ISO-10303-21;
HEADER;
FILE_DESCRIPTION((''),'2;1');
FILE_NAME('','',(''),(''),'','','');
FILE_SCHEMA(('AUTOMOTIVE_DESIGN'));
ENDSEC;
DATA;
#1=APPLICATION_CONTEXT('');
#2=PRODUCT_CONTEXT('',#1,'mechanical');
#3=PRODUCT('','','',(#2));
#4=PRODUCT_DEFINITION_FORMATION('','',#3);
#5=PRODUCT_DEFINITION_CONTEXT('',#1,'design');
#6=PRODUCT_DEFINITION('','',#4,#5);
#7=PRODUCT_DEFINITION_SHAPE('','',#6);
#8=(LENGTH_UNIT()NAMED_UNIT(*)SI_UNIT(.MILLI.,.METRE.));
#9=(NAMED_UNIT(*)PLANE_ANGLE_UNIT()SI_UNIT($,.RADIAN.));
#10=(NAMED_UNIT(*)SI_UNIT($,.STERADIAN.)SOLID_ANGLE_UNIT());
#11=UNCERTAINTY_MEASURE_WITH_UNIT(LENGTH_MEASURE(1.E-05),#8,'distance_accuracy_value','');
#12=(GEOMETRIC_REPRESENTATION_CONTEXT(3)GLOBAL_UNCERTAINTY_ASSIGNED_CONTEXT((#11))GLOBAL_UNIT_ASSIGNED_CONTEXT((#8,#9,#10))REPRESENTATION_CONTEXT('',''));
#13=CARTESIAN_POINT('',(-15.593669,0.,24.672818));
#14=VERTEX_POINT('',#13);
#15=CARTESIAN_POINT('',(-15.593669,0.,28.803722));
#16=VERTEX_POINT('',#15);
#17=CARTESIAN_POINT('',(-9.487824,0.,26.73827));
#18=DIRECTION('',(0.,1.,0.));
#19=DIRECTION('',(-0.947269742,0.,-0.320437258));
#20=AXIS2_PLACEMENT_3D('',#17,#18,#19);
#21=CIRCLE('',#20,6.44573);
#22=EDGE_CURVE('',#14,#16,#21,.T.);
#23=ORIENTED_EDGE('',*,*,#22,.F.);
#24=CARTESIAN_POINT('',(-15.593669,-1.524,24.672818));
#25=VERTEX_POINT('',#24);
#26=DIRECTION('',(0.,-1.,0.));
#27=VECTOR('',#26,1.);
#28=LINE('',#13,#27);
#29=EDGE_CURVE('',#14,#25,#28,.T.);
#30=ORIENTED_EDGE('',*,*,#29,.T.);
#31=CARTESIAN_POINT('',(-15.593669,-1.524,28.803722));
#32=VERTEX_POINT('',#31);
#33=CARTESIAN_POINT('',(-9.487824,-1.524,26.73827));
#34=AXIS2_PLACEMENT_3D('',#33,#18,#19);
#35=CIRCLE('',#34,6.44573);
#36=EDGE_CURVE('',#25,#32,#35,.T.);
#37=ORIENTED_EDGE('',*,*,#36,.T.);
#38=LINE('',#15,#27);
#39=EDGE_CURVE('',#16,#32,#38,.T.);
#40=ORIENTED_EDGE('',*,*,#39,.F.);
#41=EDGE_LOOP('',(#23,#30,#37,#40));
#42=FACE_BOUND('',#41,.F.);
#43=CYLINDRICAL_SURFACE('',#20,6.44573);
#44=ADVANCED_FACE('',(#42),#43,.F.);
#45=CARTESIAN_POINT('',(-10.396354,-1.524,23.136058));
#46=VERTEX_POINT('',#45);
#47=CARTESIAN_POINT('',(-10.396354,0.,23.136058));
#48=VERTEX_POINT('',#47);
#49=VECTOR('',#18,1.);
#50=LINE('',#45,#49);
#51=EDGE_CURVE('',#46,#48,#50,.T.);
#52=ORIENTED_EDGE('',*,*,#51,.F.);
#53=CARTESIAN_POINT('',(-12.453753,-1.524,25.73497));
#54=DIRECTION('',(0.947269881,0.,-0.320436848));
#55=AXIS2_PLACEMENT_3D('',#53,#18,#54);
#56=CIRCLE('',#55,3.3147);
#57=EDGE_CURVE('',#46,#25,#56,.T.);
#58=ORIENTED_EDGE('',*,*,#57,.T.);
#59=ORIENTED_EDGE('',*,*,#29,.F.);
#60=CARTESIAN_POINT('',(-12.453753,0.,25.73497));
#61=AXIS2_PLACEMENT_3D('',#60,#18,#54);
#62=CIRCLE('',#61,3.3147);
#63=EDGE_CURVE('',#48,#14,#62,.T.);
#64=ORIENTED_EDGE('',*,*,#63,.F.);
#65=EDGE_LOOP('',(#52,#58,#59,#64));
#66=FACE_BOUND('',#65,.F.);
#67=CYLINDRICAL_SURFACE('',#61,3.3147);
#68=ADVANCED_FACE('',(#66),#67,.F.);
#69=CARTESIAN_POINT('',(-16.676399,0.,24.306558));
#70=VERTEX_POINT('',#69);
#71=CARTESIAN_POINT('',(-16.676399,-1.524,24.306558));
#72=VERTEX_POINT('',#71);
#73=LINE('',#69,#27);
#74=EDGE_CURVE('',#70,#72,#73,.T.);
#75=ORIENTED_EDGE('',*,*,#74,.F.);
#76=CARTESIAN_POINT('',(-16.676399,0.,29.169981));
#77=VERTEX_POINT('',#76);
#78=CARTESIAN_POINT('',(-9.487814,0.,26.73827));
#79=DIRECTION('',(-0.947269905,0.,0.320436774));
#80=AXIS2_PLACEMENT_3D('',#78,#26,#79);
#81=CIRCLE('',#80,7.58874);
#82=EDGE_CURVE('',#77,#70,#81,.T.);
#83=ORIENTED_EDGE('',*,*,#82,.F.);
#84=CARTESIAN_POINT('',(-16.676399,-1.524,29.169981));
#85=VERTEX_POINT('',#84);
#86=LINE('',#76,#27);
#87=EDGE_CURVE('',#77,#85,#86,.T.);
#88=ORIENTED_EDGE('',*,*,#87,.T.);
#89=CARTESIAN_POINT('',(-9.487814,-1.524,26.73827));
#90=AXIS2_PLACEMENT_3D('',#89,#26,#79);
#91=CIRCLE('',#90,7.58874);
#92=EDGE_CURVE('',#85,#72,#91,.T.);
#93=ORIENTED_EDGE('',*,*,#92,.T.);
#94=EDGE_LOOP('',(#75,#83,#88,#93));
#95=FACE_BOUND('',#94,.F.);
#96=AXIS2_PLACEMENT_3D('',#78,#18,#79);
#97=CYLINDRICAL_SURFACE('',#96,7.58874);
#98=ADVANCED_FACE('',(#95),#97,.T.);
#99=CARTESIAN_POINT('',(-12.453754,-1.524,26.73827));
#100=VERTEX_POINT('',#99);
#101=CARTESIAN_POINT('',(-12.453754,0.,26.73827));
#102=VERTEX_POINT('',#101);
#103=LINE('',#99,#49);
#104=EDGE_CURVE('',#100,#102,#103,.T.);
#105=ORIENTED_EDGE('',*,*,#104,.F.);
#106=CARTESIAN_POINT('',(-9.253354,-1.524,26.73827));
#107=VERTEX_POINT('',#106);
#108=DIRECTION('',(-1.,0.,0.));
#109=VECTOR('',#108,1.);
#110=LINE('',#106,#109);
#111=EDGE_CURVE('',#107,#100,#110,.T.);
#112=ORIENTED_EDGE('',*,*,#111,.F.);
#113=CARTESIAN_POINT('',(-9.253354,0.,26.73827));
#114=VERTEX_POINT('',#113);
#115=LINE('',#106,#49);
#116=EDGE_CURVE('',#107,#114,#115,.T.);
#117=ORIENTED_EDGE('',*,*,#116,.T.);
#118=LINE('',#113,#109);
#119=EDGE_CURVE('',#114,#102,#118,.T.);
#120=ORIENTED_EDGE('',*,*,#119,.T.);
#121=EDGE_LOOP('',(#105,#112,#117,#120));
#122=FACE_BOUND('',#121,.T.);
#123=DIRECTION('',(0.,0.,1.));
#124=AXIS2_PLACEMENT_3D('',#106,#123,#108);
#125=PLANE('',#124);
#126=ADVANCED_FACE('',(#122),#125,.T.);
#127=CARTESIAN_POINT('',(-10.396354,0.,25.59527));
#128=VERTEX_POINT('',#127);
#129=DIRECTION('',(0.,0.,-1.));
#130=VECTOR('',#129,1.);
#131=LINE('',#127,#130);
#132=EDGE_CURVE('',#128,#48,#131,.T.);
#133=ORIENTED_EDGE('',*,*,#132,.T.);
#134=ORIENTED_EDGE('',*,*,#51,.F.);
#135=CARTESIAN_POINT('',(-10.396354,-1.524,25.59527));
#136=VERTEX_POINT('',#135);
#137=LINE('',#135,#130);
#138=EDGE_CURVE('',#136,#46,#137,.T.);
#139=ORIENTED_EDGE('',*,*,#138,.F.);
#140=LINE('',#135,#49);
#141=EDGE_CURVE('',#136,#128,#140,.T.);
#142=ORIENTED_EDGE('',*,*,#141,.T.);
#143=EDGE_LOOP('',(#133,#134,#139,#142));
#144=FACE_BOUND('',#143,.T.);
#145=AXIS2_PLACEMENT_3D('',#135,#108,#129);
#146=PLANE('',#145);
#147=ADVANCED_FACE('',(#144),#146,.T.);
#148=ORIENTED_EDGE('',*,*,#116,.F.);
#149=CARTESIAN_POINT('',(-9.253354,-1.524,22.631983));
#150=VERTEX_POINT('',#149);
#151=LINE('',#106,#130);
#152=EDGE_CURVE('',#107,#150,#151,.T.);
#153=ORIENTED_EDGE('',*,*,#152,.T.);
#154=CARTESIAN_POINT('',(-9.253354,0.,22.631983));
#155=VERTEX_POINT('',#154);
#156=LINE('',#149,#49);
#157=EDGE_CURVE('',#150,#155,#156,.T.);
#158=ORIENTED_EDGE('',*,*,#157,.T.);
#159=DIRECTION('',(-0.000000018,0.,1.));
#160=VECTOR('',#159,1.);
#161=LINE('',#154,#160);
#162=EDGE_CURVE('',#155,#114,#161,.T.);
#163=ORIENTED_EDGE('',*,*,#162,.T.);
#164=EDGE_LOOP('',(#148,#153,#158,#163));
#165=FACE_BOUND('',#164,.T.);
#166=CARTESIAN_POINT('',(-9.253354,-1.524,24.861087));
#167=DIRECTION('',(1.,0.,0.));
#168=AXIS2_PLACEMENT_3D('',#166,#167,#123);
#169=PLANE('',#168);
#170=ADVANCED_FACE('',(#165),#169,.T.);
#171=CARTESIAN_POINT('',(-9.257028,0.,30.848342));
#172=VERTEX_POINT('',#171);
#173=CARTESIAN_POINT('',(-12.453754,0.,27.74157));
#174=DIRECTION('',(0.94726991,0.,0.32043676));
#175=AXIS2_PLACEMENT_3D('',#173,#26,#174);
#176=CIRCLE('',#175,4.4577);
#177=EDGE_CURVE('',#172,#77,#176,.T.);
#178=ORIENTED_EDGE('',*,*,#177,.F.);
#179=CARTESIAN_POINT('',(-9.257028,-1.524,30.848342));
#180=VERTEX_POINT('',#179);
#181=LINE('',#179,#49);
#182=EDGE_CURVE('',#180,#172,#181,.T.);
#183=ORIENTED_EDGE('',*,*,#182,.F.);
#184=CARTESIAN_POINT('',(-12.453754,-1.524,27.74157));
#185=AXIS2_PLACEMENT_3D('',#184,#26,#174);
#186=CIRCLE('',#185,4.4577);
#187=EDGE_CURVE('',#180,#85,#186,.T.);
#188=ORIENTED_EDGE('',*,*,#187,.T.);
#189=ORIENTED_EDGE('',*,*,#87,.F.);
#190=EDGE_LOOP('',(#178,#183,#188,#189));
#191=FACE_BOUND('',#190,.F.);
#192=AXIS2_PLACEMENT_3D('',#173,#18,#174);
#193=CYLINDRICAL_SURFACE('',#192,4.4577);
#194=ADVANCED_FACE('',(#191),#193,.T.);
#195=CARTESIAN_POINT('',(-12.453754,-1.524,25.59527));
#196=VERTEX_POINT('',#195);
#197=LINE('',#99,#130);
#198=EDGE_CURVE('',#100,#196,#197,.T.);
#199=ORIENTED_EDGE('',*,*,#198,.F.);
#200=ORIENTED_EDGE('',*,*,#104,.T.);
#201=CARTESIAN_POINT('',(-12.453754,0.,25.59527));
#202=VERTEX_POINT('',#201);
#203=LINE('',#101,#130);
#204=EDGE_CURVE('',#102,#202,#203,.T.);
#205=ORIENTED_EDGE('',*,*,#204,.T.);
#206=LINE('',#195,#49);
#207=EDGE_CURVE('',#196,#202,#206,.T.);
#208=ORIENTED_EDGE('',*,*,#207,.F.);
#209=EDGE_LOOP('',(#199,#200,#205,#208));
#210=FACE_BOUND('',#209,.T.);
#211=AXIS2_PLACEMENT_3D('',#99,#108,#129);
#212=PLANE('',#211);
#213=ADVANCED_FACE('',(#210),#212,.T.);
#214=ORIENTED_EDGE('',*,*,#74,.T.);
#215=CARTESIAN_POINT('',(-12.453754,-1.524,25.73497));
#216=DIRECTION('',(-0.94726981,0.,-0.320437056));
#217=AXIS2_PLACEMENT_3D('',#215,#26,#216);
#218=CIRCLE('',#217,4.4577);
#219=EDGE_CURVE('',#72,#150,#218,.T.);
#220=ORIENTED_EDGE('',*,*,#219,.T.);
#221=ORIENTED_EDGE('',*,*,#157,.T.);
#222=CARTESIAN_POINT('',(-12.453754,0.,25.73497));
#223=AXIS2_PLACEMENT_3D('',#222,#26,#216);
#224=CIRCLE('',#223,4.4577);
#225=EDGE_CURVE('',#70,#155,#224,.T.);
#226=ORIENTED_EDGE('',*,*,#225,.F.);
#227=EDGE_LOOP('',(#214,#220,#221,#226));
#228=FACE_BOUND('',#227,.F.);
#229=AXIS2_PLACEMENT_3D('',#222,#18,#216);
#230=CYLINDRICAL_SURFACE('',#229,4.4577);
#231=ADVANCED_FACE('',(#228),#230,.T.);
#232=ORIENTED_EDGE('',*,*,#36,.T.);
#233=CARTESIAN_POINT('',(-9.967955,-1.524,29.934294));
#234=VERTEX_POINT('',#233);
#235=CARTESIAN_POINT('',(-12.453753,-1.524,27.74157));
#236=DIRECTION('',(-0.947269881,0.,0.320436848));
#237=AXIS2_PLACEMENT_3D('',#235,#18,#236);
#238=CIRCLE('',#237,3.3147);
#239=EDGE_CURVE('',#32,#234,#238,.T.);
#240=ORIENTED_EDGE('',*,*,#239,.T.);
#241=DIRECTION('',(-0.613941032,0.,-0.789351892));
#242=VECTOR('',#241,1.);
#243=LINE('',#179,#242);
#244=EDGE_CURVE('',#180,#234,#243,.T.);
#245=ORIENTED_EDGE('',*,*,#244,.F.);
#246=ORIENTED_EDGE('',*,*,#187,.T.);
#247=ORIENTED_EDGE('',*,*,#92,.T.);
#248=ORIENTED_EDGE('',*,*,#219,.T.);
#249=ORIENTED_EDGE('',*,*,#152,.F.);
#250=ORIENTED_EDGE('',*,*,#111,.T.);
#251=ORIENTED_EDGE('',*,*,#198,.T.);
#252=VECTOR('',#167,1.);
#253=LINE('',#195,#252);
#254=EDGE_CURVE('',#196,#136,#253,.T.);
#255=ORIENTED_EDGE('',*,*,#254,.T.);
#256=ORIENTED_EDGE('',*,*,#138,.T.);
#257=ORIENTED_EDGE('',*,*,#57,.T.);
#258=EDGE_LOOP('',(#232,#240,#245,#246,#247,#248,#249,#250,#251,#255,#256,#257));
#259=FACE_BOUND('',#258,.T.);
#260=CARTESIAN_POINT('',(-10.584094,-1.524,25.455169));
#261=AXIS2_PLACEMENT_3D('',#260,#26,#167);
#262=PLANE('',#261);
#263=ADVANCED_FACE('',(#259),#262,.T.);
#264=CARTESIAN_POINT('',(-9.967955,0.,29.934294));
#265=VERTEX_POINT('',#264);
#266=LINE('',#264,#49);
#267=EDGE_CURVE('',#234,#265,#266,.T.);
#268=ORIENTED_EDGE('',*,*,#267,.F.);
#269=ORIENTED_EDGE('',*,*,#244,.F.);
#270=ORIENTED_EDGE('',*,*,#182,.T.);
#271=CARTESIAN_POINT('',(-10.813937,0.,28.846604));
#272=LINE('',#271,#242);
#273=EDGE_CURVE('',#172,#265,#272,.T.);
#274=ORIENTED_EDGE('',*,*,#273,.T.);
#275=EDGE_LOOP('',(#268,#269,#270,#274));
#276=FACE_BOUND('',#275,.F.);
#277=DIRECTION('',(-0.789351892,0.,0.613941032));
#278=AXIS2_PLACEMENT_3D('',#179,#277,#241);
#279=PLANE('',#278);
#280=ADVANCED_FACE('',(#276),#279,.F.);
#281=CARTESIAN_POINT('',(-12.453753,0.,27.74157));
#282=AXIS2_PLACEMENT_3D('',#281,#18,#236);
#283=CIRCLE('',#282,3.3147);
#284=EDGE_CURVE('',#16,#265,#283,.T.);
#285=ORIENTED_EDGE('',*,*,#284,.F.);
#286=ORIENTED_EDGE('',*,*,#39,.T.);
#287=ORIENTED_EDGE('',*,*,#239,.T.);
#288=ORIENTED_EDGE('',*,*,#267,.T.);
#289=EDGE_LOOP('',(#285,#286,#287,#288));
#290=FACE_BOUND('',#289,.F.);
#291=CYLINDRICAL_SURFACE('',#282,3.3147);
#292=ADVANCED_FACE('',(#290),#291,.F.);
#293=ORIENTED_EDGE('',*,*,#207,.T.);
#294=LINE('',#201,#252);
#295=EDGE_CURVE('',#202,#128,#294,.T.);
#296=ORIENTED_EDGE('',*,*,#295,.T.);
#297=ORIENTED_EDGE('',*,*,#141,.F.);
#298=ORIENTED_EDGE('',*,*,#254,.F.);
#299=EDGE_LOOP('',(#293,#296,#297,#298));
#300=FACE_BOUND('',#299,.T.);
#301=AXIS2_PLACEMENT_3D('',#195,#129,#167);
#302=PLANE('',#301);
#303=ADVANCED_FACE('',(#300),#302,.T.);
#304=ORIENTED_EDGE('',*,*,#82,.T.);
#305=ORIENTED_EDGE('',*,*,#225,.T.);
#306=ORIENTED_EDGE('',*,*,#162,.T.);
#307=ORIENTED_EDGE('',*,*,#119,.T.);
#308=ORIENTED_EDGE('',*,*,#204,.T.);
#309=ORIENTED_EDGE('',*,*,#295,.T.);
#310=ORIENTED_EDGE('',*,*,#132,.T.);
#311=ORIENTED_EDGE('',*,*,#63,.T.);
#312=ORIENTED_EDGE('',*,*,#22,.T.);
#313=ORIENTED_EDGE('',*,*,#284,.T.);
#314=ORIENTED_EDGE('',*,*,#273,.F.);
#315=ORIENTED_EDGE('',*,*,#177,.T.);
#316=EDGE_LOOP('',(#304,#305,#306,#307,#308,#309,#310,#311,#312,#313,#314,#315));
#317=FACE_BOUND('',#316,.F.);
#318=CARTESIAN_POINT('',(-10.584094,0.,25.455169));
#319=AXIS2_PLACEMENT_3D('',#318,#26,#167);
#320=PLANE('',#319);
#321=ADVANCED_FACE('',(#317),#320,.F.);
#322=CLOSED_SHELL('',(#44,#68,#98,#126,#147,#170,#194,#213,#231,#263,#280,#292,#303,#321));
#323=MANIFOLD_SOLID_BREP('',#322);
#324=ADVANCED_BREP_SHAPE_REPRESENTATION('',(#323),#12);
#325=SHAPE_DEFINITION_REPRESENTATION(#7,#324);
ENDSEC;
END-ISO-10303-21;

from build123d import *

# Parameters (mm, degrees)
F1_DEPTH = 1.524
F3_DEPTH = 1.524
F4_DEPTH = 25.4


with BuildPart() as f1:
    # F0 (on Front) → F1 (new body)
    with BuildSketch(Plane.XZ):
        with BuildLine():
            ThreePointArc((-16.676399, 24.306558), (-12.453754, 21.27727), (-8.231109, 24.306558))
            ThreePointArc((-8.231109, 24.306558), (-7.830954, 26.73827), (-8.231109, 29.169981))
            ThreePointArc((-8.231109, 29.169981), (-12.453754, 32.19927), (-16.676399, 29.169981))
            ThreePointArc((-16.676399, 29.169981), (-17.076554, 26.73827), (-16.676399, 24.306558))
        make_face()
        with BuildLine():
            ThreePointArc((-15.593669, 28.803722), (-12.453754, 31.05627), (-9.313838, 28.803722))
            ThreePointArc((-9.313838, 28.803722), (-8.973954, 26.73827), (-9.313838, 24.672818))
            ThreePointArc((-9.313838, 24.672818), (-12.453754, 22.42027), (-15.593669, 24.672818))
            ThreePointArc((-15.593669, 24.672818), (-15.933554, 26.73827), (-15.593669, 28.803722))
        make_face(mode=Mode.SUBTRACT)
    extrude(amount=F1_DEPTH)

    # F2 (on face) → F3 (join)
    with BuildSketch(Plane.XZ.offset(1.524)):
        with BuildLine():
            ThreePointArc((-9.313838, 24.672818), (-9.282874, 24.76672), (-9.253354, 24.861087))
            Line((-9.253354, 24.861087), (-9.253354, 26.73827))
            Line((-9.253354, 26.73827), (-12.453754, 26.73827))
            Line((-12.453754, 26.73827), (-12.453754, 25.59527))
            Line((-12.453754, 25.59527), (-10.396354, 25.59527))
            Line((-10.396354, 25.59527), (-10.396354, 23.136058))
            ThreePointArc((-10.396354, 23.136058), (-9.743877, 23.826094), (-9.313838, 24.672818))
        make_face()
    extrude(amount=-F3_DEPTH)

    # F2 (on face) → F4 (cut)
    with BuildSketch(Plane.XZ.offset(1.524)):
        with BuildLine():
            Line((-9.253354, 24.861087), (-9.253354, 22.631983))
            ThreePointArc((-9.253354, 22.631983), (-8.64896, 23.412333), (-8.231109, 24.306558))
            ThreePointArc((-8.231109, 24.306558), (-7.830954, 26.73827), (-8.231109, 29.169981))
            ThreePointArc((-8.231109, 29.169981), (-8.650336, 30.066457), (-9.257028, 30.848342))
            Line((-9.257028, 30.848342), (-9.967955, 29.934294))
            ThreePointArc((-9.967955, 29.934294), (-9.584657, 29.401546), (-9.313838, 28.803722))
            ThreePointArc((-9.313838, 28.803722), (-8.974712, 26.837143), (-9.253354, 24.861087))
        make_face()
    extrude(amount=-F4_DEPTH, mode=Mode.SUBTRACT)


solid = f1.part
